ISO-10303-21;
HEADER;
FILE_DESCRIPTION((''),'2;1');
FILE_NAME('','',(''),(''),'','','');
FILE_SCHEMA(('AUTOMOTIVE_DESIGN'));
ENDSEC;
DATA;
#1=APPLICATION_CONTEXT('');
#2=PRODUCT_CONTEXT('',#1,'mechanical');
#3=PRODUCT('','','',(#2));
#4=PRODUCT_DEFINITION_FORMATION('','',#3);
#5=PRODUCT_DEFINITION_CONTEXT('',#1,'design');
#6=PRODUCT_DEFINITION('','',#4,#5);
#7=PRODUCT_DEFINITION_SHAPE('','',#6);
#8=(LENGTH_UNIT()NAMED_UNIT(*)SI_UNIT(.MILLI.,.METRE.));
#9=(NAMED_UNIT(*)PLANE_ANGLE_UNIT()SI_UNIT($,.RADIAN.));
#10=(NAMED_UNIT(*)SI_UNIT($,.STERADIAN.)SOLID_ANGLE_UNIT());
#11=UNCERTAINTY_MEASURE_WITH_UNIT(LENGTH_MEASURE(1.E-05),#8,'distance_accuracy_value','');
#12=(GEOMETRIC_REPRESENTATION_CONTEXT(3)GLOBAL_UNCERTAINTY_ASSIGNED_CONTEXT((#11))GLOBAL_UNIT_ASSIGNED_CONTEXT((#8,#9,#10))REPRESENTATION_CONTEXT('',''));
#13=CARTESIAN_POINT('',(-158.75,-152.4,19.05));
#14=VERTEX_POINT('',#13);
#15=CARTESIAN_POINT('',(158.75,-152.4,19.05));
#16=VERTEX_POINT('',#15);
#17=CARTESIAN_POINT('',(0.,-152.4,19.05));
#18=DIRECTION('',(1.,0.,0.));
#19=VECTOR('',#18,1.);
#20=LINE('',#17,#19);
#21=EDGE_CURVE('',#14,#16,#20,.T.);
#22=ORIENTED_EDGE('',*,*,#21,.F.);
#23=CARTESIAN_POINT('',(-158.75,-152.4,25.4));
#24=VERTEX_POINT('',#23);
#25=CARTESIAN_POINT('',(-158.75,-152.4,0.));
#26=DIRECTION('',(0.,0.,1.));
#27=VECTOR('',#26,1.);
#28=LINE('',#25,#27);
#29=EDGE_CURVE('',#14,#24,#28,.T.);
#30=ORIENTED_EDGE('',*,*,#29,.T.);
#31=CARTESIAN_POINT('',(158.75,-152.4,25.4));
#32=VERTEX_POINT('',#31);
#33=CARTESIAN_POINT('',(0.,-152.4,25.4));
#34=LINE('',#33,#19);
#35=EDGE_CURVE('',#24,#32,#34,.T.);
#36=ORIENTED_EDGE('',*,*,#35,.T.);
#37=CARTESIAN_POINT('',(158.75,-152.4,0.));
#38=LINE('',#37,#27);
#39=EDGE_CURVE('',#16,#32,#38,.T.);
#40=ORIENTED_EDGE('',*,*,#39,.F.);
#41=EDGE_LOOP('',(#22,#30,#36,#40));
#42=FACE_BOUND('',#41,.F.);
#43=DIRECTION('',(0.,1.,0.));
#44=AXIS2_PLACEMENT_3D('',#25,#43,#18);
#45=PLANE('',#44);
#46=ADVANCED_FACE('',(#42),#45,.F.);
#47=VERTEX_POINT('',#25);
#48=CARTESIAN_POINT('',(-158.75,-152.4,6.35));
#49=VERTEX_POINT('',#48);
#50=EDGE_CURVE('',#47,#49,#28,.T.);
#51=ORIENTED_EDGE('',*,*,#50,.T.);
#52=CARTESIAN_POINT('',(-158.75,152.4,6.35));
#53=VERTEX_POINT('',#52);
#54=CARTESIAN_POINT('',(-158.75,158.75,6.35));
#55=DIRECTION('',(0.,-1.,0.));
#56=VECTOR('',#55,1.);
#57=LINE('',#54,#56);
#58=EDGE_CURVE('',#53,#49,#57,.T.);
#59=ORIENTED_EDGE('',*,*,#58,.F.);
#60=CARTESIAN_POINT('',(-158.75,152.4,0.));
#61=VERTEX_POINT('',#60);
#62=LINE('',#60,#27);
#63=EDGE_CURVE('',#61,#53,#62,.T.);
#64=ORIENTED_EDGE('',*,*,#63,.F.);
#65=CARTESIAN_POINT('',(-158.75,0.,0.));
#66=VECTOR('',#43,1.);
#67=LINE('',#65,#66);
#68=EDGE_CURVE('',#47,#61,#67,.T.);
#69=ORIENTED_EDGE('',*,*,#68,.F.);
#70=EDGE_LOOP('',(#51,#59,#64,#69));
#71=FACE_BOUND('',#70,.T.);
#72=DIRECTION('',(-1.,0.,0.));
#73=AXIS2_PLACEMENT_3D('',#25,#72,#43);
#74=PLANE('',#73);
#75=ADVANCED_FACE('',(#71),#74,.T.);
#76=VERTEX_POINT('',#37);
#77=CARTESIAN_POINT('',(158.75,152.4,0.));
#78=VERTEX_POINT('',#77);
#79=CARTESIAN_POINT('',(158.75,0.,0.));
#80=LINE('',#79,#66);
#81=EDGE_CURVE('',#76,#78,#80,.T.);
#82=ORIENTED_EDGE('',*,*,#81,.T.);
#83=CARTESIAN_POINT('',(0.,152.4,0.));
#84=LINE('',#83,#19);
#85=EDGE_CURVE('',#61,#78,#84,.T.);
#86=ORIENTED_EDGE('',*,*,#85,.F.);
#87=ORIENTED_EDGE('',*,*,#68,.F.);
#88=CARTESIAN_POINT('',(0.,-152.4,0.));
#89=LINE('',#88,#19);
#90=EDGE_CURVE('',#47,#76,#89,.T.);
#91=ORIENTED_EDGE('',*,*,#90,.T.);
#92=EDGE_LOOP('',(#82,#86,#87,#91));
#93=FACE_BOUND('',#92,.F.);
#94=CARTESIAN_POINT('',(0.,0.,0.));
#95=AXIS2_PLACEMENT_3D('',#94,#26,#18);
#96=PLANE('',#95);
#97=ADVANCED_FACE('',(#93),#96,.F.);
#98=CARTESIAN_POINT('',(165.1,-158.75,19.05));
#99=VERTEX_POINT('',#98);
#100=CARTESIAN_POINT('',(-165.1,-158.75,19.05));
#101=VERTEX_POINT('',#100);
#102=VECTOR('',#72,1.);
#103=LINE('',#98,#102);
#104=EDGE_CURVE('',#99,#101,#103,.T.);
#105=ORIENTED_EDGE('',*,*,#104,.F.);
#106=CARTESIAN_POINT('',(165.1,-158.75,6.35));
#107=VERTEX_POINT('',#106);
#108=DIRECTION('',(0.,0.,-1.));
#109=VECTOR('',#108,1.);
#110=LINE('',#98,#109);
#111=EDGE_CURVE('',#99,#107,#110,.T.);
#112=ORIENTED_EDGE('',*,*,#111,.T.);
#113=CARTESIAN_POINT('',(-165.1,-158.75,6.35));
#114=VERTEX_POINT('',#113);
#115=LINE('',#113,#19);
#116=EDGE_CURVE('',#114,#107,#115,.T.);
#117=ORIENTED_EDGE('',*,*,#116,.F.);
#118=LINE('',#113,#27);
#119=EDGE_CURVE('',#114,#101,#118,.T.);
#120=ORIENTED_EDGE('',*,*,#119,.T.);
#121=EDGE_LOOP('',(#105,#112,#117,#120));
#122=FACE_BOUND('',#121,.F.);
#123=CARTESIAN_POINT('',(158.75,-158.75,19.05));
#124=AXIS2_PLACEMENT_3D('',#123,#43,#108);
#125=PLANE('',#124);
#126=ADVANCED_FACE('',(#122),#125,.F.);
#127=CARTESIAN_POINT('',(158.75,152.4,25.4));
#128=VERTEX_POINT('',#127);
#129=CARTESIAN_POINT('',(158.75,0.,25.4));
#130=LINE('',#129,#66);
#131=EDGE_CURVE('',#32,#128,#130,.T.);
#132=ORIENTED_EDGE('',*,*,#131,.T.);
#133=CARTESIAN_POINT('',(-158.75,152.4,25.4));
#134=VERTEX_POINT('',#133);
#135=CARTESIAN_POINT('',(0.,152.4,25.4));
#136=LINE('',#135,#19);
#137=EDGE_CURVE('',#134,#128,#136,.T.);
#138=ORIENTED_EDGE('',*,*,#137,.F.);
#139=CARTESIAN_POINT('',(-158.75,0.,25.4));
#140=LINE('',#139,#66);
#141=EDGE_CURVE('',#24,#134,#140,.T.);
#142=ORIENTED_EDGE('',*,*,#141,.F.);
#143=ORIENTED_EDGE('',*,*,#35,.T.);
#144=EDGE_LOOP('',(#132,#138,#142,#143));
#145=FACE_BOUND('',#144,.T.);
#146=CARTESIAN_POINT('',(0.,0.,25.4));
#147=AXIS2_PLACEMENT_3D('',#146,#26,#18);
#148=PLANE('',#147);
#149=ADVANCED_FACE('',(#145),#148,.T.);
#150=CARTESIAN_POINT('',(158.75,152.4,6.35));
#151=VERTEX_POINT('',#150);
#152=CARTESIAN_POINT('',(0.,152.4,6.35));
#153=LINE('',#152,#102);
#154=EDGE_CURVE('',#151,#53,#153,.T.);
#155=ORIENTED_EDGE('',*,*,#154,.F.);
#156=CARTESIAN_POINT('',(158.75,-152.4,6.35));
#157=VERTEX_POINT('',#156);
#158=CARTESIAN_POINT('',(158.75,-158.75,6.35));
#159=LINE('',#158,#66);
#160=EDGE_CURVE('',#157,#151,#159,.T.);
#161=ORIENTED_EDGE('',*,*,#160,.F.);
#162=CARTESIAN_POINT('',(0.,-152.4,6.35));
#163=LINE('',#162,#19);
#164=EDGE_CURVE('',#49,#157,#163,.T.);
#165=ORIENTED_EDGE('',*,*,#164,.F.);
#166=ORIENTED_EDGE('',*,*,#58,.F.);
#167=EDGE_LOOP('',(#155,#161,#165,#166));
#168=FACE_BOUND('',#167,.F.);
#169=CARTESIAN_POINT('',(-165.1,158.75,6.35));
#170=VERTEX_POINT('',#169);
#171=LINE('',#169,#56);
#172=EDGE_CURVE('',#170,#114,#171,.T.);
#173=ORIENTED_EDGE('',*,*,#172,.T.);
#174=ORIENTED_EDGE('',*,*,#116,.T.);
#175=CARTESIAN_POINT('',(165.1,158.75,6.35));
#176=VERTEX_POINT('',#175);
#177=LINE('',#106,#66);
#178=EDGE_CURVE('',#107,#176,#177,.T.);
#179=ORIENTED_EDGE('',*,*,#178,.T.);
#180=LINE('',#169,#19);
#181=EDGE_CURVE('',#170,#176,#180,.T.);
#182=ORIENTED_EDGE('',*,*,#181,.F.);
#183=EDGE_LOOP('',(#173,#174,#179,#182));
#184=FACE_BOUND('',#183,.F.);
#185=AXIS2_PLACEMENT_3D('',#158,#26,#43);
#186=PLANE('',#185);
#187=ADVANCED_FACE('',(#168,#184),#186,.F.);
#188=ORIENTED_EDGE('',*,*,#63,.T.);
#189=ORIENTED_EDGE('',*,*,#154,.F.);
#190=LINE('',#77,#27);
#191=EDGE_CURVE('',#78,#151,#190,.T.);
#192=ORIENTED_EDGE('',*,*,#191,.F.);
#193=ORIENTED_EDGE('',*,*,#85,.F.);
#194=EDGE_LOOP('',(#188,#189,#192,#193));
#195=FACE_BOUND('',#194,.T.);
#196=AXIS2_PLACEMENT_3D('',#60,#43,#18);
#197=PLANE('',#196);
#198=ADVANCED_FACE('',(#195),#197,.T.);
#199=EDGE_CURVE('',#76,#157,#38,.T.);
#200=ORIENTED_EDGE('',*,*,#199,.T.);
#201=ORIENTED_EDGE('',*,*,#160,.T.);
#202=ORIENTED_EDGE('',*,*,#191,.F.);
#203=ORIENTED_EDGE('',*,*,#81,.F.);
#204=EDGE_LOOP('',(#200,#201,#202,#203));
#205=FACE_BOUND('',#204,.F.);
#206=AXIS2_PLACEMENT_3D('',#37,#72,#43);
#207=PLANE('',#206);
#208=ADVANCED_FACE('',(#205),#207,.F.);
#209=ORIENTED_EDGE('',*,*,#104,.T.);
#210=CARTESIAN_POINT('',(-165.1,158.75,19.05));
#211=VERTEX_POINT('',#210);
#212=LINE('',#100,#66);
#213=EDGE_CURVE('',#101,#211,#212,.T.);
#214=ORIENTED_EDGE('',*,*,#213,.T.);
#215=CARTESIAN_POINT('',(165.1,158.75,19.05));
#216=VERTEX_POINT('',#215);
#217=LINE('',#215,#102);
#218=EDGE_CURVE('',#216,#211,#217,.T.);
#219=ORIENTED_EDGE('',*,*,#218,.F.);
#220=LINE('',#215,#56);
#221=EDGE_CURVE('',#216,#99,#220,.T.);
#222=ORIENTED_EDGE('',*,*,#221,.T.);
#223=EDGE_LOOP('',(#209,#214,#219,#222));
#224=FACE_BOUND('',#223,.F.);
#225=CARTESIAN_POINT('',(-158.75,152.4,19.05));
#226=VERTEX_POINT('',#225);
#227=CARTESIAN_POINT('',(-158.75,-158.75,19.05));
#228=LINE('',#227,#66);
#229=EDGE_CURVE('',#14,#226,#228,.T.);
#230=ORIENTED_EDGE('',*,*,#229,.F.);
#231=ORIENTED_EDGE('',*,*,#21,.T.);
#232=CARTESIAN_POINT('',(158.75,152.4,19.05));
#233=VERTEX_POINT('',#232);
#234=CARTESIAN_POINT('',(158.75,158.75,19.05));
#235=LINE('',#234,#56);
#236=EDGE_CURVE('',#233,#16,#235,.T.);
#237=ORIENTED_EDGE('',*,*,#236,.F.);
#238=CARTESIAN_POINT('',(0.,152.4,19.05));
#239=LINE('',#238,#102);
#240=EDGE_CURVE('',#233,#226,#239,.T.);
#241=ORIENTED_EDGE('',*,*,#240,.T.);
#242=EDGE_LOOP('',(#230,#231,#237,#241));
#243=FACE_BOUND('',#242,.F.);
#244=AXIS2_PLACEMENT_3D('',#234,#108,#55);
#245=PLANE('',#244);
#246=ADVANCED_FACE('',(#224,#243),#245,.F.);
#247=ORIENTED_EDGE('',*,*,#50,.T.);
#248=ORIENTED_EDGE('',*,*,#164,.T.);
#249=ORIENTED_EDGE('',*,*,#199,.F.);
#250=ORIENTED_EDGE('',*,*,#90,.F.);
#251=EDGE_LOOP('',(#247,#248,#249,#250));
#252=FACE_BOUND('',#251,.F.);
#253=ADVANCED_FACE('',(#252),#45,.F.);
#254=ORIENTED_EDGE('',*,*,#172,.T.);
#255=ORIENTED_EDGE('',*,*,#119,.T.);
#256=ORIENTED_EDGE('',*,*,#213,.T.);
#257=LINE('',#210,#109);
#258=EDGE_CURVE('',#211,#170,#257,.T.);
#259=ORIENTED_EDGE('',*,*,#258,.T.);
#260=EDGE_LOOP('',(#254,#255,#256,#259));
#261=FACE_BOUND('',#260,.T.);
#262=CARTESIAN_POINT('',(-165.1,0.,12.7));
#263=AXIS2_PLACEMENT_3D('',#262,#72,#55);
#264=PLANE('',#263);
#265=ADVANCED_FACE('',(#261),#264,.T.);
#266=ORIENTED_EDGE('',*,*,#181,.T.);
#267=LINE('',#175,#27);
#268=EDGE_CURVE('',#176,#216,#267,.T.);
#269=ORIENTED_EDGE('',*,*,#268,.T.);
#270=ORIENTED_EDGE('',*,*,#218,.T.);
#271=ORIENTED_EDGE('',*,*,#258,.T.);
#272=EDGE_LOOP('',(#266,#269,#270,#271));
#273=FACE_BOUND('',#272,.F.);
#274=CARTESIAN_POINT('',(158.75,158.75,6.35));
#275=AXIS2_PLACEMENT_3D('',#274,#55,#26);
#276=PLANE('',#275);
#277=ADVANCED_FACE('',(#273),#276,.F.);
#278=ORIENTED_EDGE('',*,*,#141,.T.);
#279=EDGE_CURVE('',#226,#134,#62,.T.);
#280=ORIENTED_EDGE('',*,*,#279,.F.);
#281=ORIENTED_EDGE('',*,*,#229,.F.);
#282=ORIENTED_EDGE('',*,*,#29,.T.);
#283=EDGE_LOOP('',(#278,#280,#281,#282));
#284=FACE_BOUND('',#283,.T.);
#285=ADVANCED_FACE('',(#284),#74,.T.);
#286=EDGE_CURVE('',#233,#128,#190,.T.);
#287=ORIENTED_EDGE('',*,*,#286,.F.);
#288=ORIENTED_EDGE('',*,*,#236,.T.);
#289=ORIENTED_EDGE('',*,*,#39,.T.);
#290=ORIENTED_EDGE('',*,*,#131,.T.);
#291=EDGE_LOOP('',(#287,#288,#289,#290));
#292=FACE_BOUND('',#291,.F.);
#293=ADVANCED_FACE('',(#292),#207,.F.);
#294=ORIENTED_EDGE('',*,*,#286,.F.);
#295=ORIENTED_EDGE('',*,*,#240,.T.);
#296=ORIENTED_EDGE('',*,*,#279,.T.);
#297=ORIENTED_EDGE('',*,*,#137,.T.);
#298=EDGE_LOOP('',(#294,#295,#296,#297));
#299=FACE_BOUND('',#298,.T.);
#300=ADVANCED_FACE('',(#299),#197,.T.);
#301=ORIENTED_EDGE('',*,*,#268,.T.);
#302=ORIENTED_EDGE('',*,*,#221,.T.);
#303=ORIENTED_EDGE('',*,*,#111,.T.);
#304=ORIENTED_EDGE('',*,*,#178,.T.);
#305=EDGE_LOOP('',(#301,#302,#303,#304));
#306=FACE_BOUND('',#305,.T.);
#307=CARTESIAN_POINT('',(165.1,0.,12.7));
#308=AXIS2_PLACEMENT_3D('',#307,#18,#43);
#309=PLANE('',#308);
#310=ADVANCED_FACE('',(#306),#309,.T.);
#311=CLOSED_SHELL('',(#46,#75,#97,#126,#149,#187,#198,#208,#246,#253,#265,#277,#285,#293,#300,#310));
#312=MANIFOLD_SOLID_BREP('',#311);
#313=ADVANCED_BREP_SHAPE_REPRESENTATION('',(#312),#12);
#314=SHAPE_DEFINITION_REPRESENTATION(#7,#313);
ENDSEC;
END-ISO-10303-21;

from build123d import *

# Parameters (mm, degrees)
F0_W     = 317.5
F0_H     = 304.8
F1_DEPTH = 25.4
F2_W     = 317.5
F2_H     = 12.7
F3_DEPTH = 6.35
F4_W     = 317.5
F4_H     = 12.7
F5_DEPTH = 6.35
F8_DEPTH = 6.35
F9_DEPTH = 6.35


with BuildPart() as f1:
    # F0 (on Top) → F1 (new body)
    with BuildSketch(Plane.XY):
        Rectangle(F0_W, F0_H)
    extrude(amount=F1_DEPTH)

    # F2 (on face) → F3 (join)
    with BuildSketch(Plane(origin=(0, 152.4, 0), x_dir=(-1, 0, 0), z_dir=(0, 1, 0))):
        with Locations((0, 12.7)):
            Rectangle(F2_W, F2_H)
    extrude(amount=F3_DEPTH)

    # F4 (on face) → F5 (join)
    with BuildSketch(Plane.XZ.offset(152.4)):
        with Locations((0, 12.7)):
            Rectangle(F4_W, F4_H)
    extrude(amount=F5_DEPTH)

    # F7 (on face) → F8 (join)
    with BuildSketch(Plane(origin=(-158.75, 0, 0), x_dir=(0, -1, 0), z_dir=(-1, 0, 0))):
        Polygon((-152.4, 19.05), (-158.75, 19.05), (-158.75, 6.35), (-152.4, 6.35), (152.4, 6.35), (158.75, 6.35), (158.75, 19.05), (152.4, 19.05), align=None)
    extrude(amount=F8_DEPTH)

    # F6 (on face) → F9 (join)
    with BuildSketch(Plane.YZ.offset(158.75)):
        Polygon((-152.4, 19.05), (-158.75, 19.05), (-158.75, 6.35), (-152.4, 6.35), (152.4, 6.35), (158.75, 6.35), (158.75, 19.05), (152.4, 19.05), align=None)
    extrude(amount=F9_DEPTH)


solid = f1.part
